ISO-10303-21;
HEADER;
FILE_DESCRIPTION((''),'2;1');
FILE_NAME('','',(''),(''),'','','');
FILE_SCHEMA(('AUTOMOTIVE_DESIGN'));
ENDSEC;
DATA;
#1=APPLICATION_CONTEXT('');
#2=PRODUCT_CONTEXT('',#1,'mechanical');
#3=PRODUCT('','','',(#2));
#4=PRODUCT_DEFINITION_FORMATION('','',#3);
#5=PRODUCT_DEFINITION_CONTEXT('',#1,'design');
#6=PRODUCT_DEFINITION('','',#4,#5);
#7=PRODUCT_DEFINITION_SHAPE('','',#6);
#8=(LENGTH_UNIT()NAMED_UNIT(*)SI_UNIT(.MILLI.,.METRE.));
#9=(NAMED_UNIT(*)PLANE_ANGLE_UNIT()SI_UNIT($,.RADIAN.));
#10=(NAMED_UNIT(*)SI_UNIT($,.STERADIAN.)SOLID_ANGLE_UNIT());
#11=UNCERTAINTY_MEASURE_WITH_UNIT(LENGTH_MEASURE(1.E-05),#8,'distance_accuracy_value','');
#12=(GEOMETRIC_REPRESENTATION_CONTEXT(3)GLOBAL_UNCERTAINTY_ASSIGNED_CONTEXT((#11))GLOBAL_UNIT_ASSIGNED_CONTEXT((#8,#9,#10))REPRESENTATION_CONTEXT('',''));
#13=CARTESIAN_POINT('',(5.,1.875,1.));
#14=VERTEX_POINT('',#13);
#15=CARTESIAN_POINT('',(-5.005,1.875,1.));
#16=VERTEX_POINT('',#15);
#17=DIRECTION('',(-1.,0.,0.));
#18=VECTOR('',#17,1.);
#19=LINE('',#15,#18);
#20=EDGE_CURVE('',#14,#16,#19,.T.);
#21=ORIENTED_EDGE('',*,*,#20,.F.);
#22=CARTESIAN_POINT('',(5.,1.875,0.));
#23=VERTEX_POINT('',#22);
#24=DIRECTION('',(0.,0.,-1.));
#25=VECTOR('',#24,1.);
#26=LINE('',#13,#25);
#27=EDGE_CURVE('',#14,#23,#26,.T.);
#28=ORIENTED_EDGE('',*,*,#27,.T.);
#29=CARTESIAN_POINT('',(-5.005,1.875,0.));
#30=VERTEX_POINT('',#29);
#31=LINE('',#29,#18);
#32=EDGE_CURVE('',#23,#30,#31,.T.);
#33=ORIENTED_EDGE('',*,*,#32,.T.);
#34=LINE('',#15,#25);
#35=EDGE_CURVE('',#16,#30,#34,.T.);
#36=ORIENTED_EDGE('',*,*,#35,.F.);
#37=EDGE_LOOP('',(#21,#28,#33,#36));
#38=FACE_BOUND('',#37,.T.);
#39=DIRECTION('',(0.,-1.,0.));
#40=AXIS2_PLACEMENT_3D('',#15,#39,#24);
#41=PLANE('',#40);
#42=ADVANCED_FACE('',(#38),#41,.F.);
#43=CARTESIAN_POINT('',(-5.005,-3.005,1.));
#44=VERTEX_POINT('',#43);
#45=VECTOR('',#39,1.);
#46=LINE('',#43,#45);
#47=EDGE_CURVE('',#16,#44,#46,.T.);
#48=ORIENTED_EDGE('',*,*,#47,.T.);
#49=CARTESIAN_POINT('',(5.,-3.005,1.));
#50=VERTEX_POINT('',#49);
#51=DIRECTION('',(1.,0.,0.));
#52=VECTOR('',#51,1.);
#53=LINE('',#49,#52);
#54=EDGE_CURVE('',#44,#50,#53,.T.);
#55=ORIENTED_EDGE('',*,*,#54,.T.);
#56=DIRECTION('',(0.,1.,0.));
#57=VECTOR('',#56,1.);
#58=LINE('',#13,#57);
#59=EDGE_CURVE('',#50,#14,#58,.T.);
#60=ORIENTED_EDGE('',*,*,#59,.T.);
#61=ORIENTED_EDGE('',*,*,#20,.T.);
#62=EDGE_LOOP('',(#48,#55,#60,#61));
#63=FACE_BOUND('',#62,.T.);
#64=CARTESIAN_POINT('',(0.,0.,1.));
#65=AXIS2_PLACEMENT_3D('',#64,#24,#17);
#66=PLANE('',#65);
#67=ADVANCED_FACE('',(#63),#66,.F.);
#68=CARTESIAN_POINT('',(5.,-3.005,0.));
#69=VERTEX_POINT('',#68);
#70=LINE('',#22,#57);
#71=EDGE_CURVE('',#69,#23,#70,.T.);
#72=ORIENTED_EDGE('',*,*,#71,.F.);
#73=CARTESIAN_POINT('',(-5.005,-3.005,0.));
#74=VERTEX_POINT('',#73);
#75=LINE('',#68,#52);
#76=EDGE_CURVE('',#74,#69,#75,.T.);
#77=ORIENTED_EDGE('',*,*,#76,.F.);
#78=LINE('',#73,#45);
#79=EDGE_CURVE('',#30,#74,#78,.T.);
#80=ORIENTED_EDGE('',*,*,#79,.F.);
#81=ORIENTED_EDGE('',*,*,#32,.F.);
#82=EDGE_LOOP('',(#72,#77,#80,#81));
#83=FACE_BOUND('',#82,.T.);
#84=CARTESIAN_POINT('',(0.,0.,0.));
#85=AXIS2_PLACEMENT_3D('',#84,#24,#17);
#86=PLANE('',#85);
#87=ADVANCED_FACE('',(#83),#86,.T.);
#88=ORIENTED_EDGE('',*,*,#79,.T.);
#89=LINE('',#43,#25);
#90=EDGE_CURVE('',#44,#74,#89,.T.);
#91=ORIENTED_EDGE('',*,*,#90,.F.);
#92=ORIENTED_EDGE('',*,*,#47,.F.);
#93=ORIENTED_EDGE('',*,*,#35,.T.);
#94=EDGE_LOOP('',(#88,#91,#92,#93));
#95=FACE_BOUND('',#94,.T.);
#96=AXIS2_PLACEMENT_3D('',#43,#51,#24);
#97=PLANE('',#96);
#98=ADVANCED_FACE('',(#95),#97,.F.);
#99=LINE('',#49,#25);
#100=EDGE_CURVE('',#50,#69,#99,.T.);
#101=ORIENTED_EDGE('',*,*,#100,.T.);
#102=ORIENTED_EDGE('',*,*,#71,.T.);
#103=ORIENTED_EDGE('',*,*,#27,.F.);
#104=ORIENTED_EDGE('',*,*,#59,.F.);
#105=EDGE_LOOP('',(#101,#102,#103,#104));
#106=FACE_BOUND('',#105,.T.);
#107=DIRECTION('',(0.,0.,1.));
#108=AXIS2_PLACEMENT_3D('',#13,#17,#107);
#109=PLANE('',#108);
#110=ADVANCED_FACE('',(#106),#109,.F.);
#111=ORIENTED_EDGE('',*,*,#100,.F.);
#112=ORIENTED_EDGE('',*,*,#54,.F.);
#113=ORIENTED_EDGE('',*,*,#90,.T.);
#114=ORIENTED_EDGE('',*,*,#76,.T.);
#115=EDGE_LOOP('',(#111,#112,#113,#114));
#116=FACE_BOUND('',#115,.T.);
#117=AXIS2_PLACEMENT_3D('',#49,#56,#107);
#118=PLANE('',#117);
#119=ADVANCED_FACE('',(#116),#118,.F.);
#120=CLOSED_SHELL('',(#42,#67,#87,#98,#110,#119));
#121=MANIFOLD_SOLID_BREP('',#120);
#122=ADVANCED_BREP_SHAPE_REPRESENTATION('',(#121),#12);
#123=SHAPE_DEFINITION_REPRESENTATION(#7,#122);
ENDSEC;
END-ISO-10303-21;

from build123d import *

# Parameters (mm, degrees)
SKETCH1_W               = 10.005
SKETCH1_H               = 4.88
COMPONENT_OUTLINE_DEPTH = 1


with BuildPart() as part:
    # Sketch1 → Component_Outline (new body)
    with BuildSketch(Plane.XY):
        with Locations((-0.0025, -0.565)):
            Rectangle(SKETCH1_W, SKETCH1_H)
    extrude(amount=COMPONENT_OUTLINE_DEPTH)


solid = part.part
